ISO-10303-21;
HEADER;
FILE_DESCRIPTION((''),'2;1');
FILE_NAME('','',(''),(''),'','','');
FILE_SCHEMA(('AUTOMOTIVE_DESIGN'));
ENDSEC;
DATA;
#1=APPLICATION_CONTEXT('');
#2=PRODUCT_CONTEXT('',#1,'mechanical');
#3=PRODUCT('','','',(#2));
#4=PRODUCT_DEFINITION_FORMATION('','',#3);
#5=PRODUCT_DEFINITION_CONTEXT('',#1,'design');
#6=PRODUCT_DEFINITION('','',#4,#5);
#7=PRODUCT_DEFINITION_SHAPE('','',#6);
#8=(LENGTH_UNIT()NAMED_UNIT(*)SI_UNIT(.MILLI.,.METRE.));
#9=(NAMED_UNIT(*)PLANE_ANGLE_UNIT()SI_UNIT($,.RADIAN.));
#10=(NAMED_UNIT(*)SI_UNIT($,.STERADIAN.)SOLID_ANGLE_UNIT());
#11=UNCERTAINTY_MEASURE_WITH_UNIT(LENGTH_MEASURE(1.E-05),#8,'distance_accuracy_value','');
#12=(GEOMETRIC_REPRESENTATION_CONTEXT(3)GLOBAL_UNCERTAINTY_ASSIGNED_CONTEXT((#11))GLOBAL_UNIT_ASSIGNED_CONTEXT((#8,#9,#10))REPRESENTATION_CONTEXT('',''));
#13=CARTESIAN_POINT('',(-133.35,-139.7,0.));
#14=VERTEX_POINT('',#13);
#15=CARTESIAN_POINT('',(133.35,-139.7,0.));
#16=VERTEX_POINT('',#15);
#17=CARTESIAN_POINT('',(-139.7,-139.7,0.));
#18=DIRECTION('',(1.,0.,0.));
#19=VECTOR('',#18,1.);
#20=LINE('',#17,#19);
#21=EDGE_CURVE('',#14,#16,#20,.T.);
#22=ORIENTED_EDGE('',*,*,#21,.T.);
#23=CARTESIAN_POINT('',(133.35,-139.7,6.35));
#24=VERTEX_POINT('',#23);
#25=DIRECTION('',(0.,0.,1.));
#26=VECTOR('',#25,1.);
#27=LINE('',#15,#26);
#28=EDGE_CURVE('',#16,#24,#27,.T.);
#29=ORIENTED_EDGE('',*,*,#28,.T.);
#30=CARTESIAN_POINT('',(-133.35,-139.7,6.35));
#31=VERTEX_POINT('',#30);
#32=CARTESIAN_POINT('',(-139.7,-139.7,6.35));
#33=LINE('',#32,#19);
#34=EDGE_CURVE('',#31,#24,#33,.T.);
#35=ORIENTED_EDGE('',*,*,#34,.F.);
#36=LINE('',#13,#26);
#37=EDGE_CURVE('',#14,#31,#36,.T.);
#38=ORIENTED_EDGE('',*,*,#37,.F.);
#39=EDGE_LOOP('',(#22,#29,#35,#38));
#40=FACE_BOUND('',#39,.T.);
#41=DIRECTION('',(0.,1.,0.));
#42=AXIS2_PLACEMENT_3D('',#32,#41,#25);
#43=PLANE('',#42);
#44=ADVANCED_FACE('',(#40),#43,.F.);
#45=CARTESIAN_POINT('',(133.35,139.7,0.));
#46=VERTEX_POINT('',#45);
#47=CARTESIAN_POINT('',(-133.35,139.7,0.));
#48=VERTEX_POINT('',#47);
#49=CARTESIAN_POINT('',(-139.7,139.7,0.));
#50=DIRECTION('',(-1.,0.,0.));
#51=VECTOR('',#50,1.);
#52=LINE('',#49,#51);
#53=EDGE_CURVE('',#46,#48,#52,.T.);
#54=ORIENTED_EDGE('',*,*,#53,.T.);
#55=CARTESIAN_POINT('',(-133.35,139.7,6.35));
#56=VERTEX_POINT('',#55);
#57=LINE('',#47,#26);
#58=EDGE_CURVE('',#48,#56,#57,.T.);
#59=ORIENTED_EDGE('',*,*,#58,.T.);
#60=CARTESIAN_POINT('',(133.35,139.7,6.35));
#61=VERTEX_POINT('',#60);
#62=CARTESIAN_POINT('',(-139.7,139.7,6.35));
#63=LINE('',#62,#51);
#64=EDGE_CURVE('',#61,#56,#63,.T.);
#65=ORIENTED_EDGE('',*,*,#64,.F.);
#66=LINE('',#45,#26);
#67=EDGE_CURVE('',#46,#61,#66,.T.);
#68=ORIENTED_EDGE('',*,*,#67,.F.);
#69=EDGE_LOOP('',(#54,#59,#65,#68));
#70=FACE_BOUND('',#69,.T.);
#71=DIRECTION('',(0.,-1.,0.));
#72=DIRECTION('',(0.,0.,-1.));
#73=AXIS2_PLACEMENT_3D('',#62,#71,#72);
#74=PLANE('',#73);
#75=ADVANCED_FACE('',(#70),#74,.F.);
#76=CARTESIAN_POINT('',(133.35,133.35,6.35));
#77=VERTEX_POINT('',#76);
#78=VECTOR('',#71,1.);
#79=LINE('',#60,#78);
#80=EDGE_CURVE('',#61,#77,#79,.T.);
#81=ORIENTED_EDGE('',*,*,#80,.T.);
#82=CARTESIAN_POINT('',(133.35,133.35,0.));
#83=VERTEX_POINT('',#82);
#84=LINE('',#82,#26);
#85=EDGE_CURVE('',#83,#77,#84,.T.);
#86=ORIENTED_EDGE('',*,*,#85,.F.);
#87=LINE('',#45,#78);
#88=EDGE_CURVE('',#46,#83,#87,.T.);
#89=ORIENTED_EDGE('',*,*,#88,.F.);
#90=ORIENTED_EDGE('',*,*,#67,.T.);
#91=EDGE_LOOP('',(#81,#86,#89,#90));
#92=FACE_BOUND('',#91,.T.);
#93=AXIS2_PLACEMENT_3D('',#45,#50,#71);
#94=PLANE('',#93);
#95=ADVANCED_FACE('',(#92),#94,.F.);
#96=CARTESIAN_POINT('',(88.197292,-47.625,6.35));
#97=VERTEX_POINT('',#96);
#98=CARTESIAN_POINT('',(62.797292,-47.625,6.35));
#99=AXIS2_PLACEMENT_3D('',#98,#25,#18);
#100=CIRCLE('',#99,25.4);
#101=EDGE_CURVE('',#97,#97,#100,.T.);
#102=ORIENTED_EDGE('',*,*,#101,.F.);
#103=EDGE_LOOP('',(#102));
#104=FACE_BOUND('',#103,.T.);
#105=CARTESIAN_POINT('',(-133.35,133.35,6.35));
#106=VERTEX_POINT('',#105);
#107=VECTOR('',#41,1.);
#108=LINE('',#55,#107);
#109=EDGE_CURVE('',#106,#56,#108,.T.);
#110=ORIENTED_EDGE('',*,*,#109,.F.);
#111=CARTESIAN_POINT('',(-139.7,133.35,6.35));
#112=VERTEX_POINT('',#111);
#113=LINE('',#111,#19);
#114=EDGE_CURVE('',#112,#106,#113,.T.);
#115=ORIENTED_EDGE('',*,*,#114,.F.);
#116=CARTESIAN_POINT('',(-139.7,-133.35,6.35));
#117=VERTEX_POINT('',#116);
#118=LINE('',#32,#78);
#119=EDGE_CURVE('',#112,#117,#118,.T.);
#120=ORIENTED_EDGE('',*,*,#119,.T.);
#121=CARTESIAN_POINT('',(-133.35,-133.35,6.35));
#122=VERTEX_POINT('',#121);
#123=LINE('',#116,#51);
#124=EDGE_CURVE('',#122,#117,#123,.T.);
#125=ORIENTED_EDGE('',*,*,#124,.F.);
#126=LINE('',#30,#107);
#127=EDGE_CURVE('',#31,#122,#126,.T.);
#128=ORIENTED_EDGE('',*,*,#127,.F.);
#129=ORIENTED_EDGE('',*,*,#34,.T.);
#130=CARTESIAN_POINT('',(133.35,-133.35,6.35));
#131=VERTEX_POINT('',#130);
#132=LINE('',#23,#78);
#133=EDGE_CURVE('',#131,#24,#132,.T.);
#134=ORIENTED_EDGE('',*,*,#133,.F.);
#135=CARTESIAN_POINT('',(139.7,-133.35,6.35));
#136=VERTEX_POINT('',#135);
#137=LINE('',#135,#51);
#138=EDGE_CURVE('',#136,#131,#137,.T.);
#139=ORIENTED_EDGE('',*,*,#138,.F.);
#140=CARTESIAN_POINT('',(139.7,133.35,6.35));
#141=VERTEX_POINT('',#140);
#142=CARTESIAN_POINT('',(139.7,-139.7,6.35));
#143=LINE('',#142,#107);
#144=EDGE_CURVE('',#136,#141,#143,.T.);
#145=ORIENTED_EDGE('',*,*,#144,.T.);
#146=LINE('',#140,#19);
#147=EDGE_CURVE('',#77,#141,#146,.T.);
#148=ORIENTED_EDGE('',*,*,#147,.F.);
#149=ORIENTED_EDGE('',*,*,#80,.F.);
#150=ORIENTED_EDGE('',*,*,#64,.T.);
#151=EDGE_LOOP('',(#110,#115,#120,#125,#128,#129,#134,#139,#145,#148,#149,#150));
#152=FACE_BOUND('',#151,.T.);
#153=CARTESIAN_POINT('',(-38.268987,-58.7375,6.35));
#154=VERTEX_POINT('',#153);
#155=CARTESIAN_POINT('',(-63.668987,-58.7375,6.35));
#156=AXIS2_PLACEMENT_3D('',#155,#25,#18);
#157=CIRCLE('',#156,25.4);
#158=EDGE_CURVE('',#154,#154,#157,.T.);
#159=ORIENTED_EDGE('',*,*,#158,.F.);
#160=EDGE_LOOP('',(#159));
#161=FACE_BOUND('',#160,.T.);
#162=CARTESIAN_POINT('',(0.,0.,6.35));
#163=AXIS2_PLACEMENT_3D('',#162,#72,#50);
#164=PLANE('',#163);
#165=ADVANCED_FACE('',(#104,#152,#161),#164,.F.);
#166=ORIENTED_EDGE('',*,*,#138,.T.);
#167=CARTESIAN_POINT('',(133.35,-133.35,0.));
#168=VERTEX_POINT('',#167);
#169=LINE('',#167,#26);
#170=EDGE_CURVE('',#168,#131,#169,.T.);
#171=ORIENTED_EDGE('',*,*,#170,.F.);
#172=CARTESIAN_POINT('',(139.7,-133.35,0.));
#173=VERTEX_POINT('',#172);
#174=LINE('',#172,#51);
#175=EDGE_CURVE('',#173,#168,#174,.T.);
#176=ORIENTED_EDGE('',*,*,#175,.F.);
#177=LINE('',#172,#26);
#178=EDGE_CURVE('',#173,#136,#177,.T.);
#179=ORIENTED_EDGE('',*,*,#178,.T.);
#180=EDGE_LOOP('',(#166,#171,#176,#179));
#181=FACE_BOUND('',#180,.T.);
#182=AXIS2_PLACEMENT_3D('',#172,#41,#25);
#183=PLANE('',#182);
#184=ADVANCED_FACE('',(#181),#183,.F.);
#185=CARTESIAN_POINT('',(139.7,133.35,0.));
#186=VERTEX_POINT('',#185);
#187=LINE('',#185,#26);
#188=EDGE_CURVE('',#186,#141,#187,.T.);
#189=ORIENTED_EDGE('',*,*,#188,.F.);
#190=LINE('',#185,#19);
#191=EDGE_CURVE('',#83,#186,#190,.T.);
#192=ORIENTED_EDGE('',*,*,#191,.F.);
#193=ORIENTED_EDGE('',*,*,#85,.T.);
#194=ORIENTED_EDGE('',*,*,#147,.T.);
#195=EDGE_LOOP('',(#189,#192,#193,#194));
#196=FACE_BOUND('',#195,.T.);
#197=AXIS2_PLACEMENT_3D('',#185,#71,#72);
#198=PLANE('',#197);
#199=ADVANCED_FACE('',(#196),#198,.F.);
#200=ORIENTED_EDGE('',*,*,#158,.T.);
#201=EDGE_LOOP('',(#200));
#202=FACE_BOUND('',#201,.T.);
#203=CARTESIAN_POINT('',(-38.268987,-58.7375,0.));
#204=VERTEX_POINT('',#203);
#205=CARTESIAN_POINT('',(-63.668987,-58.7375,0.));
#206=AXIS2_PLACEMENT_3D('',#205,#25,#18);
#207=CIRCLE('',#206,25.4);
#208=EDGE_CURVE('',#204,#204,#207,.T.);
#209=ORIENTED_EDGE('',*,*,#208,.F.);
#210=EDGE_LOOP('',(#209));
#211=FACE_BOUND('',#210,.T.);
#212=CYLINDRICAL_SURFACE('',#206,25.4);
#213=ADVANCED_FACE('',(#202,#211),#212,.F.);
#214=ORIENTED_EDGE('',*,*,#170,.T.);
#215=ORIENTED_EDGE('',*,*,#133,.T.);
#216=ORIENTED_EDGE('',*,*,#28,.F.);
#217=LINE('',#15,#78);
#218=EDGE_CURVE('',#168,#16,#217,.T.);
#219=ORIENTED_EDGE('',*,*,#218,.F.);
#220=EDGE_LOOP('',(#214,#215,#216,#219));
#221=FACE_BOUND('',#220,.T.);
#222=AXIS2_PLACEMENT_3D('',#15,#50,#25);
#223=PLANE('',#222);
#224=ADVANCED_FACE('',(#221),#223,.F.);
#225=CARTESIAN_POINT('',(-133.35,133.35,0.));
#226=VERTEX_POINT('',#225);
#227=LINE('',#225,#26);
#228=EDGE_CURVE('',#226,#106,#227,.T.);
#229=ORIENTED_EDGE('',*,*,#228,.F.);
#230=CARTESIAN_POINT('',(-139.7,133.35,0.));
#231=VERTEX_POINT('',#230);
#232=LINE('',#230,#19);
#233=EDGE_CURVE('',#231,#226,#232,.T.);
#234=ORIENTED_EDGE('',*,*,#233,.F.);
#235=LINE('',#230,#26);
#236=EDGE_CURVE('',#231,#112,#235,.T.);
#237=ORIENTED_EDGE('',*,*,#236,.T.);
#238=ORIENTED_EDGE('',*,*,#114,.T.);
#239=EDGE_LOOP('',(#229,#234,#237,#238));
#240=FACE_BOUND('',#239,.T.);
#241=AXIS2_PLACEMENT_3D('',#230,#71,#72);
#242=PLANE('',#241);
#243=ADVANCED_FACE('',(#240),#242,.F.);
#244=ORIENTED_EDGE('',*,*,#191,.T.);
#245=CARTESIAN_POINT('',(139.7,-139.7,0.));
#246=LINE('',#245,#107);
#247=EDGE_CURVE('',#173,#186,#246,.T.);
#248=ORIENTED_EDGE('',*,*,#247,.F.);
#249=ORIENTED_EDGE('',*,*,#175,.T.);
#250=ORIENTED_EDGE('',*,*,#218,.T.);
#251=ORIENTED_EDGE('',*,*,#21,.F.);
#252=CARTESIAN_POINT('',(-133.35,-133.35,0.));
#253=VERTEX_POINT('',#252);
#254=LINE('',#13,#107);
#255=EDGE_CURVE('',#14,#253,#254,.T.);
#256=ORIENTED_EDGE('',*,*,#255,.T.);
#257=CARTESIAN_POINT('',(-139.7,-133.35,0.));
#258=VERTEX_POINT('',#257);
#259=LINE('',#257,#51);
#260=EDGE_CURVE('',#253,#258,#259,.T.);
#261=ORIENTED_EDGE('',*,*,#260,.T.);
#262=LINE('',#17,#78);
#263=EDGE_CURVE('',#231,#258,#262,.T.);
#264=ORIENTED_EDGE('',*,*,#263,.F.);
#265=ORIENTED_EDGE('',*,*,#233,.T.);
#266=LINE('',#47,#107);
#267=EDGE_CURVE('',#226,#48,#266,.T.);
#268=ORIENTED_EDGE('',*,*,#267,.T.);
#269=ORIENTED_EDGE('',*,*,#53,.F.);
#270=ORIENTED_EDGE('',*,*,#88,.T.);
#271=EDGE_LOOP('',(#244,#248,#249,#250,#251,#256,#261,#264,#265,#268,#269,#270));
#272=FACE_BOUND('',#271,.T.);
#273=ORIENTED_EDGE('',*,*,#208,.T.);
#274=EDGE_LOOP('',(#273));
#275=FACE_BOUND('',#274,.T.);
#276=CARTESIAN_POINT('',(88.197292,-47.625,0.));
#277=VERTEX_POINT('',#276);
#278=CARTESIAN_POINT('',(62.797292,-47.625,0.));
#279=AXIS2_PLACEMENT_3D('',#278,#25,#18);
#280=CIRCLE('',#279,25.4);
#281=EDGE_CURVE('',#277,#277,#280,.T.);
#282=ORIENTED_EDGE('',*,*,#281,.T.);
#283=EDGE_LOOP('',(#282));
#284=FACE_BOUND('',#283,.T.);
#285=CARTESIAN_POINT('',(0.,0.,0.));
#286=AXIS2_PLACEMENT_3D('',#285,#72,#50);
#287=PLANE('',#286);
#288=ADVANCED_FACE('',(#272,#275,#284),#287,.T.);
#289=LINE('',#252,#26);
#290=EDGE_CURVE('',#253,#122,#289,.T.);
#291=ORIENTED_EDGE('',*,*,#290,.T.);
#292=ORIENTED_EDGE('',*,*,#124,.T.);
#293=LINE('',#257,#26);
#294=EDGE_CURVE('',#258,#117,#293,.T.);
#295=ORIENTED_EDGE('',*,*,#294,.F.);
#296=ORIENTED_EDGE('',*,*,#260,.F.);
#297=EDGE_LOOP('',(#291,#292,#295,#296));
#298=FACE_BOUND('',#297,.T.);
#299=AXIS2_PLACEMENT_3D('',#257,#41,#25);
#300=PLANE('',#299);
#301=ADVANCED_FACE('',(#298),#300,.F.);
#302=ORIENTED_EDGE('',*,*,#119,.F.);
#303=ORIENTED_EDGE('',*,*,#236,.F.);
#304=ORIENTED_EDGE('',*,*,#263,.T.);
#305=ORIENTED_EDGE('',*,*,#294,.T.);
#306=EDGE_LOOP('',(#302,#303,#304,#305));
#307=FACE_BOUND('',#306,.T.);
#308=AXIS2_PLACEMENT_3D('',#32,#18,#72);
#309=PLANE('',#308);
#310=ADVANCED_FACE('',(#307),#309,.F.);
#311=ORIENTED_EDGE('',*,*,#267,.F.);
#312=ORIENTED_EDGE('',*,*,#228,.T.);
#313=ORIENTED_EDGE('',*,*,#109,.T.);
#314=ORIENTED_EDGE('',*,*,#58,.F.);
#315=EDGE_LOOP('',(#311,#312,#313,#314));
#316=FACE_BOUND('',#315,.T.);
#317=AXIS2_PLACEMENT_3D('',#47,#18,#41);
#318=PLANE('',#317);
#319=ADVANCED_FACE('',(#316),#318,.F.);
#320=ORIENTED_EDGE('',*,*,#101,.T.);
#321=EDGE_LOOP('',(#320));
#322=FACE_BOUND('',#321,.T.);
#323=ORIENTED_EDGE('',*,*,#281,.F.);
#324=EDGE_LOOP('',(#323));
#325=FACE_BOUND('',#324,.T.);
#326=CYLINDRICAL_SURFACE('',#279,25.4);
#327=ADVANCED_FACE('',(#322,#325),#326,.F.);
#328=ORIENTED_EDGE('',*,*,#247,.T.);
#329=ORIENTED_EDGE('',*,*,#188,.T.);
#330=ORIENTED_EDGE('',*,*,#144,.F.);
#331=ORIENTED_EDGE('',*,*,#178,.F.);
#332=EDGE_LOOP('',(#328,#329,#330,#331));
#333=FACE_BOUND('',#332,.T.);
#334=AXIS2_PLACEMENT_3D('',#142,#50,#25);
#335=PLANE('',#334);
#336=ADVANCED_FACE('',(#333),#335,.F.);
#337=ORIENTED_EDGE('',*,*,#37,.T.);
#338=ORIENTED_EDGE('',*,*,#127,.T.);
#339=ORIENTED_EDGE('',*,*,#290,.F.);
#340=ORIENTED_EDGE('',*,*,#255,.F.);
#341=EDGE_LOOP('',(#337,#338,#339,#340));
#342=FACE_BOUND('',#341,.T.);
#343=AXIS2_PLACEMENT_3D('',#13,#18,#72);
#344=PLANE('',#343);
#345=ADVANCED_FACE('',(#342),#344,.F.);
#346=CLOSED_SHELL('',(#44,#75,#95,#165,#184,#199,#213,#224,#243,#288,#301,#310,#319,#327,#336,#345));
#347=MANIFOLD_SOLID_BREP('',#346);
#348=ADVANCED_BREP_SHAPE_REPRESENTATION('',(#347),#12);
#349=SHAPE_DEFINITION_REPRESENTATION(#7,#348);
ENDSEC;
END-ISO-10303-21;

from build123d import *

# Parameters (mm, degrees)
SKETCH1_W           = 279.4
SKETCH1_H           = 279.4
BOSS_EXTRUDE1_DEPTH = 6.35
SKETCH3_R           = 25.4
CUT_EXTRUDE2_DEPTH  = 198.667656687
SKETCH4_W           = 6.35
SKETCH4_H           = 6.35
CUT_EXTRUDE3_DEPTH  = 198.667656687


with BuildPart() as part:
    # Sketch1 → Boss-Extrude1 (new body)
    with BuildSketch(Plane.XY):
        Rectangle(SKETCH1_W, SKETCH1_H)
    extrude(amount=BOSS_EXTRUDE1_DEPTH)

    # Sketch3 → Cut-Extrude2 (cut, through all)
    with BuildSketch(Plane.XY.offset(6.35)):
        with Locations((-63.668986787, -58.7375)):
            Circle(SKETCH3_R)
        with Locations((62.797291543, -47.625)):
            Circle(SKETCH3_R)
    extrude(amount=-CUT_EXTRUDE2_DEPTH, mode=Mode.SUBTRACT)

    # Sketch4 → Cut-Extrude3 (cut, through all)
    with BuildSketch(Plane.XY.offset(6.35)):
        with Locations((-136.525, 136.525)):
            Rectangle(SKETCH4_W, SKETCH4_H)
        with Locations((136.525, 136.525)):
            Rectangle(SKETCH4_W, SKETCH4_H)
        with Locations((136.525, -136.525)):
            Rectangle(SKETCH4_W, SKETCH4_H)
        with Locations((-136.525, -136.525)):
            Rectangle(SKETCH4_W, SKETCH4_H)
    extrude(amount=-CUT_EXTRUDE3_DEPTH, mode=Mode.SUBTRACT)


solid = part.part
